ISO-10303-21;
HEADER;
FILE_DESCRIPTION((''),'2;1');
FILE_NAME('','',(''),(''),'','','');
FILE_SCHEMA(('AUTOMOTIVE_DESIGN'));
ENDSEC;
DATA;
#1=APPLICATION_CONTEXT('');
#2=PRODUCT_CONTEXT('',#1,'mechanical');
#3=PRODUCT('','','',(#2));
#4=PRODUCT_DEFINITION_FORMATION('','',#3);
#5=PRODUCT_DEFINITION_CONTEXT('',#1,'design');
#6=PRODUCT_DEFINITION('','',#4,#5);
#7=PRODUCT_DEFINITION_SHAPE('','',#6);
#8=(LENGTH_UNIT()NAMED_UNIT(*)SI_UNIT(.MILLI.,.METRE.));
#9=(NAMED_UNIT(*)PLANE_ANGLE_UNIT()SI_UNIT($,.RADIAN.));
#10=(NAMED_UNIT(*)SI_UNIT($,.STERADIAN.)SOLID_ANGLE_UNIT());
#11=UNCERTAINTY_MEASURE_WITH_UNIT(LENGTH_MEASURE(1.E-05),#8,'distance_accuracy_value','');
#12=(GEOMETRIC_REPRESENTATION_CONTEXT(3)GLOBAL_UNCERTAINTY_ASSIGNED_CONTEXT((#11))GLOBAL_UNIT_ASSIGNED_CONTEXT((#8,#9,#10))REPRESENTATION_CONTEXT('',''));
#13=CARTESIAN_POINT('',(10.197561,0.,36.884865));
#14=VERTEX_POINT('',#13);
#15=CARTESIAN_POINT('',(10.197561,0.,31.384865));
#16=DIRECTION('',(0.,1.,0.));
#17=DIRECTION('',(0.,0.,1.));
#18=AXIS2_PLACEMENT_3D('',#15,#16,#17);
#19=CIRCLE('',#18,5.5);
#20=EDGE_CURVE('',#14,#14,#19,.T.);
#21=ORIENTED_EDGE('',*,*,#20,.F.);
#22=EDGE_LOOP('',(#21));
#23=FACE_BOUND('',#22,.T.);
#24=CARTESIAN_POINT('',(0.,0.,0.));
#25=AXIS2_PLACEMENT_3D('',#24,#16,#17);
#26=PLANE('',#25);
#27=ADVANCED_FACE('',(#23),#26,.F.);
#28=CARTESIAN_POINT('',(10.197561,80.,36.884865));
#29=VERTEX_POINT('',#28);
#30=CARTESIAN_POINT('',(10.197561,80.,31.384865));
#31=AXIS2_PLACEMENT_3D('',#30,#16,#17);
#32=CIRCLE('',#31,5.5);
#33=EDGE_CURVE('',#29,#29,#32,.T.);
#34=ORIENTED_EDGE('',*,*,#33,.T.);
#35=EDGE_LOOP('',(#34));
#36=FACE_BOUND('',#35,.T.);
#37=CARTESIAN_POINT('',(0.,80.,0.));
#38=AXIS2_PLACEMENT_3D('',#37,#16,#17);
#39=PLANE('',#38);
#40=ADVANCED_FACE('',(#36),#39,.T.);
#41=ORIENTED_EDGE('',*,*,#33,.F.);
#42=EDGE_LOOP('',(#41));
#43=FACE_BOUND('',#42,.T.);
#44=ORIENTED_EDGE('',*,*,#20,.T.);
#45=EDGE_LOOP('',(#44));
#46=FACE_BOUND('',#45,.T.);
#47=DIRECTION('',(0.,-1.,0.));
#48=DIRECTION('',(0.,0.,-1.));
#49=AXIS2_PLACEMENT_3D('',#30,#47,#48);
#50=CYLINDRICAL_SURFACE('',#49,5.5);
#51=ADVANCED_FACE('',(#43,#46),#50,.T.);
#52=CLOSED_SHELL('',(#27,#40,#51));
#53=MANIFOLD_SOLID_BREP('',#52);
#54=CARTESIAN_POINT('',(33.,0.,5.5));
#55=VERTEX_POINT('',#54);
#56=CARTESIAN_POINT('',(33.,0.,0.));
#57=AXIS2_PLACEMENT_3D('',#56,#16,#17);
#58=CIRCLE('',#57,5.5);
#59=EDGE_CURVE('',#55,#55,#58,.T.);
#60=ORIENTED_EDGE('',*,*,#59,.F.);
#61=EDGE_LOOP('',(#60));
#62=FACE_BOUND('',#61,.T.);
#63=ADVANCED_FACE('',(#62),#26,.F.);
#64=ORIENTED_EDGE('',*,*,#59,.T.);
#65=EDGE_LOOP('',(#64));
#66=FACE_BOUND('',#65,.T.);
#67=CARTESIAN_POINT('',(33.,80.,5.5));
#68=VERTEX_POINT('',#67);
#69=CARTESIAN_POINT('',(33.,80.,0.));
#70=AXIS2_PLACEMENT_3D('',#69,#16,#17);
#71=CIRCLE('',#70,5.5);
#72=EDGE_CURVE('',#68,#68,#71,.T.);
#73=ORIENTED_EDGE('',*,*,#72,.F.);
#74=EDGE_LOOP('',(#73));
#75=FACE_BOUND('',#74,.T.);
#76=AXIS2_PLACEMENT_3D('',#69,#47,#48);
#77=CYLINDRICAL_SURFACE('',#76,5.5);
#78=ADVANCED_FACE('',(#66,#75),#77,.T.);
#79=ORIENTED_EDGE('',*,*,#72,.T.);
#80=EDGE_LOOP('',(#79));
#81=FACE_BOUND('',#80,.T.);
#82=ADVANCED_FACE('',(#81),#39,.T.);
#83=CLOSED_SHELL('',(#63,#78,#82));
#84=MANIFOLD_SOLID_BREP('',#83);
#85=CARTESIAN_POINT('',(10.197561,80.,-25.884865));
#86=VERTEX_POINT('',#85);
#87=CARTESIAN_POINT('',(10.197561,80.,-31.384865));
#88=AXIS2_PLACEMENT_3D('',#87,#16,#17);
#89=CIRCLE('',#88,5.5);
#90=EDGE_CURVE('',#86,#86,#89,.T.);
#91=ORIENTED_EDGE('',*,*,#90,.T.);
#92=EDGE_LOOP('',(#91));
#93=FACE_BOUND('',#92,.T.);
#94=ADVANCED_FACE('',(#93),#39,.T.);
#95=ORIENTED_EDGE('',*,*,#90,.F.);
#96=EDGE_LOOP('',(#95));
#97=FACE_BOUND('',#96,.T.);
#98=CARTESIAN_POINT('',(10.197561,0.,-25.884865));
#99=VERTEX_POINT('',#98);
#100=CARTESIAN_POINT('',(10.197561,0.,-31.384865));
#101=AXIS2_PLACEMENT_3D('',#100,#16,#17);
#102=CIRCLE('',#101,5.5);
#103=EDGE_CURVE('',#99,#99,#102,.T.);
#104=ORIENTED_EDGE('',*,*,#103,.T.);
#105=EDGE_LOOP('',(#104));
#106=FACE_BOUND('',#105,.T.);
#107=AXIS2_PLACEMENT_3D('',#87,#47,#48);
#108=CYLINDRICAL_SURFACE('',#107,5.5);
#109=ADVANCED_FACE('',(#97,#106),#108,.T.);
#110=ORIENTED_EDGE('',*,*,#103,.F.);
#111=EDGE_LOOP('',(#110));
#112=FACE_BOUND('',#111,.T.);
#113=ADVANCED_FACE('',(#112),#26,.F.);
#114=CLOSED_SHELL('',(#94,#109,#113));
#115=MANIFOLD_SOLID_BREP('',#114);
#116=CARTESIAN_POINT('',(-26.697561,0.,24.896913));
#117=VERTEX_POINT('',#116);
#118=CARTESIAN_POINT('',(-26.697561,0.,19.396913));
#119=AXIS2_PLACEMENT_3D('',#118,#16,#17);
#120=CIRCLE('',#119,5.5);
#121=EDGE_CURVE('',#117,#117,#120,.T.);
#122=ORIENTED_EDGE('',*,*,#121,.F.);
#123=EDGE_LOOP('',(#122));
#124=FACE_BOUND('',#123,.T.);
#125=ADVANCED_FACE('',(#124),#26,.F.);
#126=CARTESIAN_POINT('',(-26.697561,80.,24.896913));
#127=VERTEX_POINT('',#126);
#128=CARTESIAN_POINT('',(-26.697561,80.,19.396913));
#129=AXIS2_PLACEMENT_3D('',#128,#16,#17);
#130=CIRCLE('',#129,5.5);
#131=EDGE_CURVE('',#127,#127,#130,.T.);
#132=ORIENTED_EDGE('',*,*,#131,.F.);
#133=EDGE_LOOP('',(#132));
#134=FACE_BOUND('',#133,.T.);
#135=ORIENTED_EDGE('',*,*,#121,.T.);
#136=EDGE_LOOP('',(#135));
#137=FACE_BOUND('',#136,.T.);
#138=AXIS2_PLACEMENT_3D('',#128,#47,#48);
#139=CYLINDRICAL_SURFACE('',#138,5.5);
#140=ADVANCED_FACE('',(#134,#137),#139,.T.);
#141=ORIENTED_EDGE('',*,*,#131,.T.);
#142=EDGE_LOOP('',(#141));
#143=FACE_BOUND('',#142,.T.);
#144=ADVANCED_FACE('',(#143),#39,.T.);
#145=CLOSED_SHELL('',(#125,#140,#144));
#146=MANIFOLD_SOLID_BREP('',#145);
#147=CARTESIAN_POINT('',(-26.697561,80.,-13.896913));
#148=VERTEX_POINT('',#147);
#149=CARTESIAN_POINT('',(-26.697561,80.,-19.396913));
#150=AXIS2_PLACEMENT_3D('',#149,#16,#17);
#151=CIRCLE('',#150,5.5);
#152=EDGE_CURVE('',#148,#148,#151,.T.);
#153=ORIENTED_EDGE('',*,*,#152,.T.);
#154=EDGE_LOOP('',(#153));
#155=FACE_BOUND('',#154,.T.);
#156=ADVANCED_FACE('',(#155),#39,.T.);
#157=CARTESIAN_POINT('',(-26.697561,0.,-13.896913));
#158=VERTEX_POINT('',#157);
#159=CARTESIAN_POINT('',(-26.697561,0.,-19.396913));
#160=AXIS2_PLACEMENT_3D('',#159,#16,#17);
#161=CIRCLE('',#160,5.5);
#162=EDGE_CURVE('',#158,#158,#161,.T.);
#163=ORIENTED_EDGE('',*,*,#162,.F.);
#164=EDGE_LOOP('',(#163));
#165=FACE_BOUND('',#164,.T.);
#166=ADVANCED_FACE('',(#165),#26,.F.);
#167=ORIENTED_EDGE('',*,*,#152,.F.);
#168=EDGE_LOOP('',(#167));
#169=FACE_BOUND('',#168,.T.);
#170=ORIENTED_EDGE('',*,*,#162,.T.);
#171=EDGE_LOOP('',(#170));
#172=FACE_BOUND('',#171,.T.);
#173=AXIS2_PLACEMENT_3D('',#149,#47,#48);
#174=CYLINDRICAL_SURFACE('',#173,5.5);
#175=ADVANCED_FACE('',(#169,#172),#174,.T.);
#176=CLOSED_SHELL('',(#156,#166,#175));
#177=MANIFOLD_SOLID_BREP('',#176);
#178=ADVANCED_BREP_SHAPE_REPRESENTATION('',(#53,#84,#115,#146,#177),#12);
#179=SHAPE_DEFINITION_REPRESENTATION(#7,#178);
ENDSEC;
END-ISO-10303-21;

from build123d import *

# Parameters (mm, degrees)
SKETCH1_R             = 5.5
BOSS_EXTRUDE1_DEPTH   = 80
BOSS_EXTRUDE1_2_DEPTH = 80
BOSS_EXTRUDE1_3_DEPTH = 80
BOSS_EXTRUDE1_4_DEPTH = 80
BOSS_EXTRUDE1_5_DEPTH = 80


with BuildPart() as part:
    # Sketch1 → Boss-Extrude1 (new body)
    with BuildSketch(Plane(origin=(0, 0, 0), x_dir=(1, 0, 0), z_dir=(0, 1, 0))):
        with Locations((33, 0)):
            Circle(SKETCH1_R)
    extrude(amount=BOSS_EXTRUDE1_DEPTH)


with BuildPart() as body_2:
    # Sketch1 → Boss-Extrude1 2 (new body)
    with BuildSketch(Plane(origin=(0, 0, 0), x_dir=(1, 0, 0), z_dir=(0, 1, 0))):
        with Locations((10.197560814, -31.384865038)):
            Circle(SKETCH1_R)
    extrude(amount=BOSS_EXTRUDE1_2_DEPTH)


with BuildPart() as body_3:
    # Sketch1 → Boss-Extrude1 3 (new body)
    with BuildSketch(Plane(origin=(0, 0, 0), x_dir=(1, 0, 0), z_dir=(0, 1, 0))):
        with Locations((-26.697560814, -19.396913326)):
            Circle(SKETCH1_R)
    extrude(amount=BOSS_EXTRUDE1_3_DEPTH)


with BuildPart() as body_4:
    # Sketch1 → Boss-Extrude1 4 (new body)
    with BuildSketch(Plane(origin=(0, 0, 0), x_dir=(1, 0, 0), z_dir=(0, 1, 0))):
        with Locations((-26.697560814, 19.396913326)):
            Circle(SKETCH1_R)
    extrude(amount=BOSS_EXTRUDE1_4_DEPTH)


with BuildPart() as body_5:
    # Sketch1 → Boss-Extrude1 5 (new body)
    with BuildSketch(Plane(origin=(0, 0, 0), x_dir=(1, 0, 0), z_dir=(0, 1, 0))):
        with Locations((10.197560814, 31.384865038)):
            Circle(SKETCH1_R)
    extrude(amount=BOSS_EXTRUDE1_5_DEPTH)


solid = Compound([part.part, body_2.part, body_3.part, body_4.part, body_5.part])
